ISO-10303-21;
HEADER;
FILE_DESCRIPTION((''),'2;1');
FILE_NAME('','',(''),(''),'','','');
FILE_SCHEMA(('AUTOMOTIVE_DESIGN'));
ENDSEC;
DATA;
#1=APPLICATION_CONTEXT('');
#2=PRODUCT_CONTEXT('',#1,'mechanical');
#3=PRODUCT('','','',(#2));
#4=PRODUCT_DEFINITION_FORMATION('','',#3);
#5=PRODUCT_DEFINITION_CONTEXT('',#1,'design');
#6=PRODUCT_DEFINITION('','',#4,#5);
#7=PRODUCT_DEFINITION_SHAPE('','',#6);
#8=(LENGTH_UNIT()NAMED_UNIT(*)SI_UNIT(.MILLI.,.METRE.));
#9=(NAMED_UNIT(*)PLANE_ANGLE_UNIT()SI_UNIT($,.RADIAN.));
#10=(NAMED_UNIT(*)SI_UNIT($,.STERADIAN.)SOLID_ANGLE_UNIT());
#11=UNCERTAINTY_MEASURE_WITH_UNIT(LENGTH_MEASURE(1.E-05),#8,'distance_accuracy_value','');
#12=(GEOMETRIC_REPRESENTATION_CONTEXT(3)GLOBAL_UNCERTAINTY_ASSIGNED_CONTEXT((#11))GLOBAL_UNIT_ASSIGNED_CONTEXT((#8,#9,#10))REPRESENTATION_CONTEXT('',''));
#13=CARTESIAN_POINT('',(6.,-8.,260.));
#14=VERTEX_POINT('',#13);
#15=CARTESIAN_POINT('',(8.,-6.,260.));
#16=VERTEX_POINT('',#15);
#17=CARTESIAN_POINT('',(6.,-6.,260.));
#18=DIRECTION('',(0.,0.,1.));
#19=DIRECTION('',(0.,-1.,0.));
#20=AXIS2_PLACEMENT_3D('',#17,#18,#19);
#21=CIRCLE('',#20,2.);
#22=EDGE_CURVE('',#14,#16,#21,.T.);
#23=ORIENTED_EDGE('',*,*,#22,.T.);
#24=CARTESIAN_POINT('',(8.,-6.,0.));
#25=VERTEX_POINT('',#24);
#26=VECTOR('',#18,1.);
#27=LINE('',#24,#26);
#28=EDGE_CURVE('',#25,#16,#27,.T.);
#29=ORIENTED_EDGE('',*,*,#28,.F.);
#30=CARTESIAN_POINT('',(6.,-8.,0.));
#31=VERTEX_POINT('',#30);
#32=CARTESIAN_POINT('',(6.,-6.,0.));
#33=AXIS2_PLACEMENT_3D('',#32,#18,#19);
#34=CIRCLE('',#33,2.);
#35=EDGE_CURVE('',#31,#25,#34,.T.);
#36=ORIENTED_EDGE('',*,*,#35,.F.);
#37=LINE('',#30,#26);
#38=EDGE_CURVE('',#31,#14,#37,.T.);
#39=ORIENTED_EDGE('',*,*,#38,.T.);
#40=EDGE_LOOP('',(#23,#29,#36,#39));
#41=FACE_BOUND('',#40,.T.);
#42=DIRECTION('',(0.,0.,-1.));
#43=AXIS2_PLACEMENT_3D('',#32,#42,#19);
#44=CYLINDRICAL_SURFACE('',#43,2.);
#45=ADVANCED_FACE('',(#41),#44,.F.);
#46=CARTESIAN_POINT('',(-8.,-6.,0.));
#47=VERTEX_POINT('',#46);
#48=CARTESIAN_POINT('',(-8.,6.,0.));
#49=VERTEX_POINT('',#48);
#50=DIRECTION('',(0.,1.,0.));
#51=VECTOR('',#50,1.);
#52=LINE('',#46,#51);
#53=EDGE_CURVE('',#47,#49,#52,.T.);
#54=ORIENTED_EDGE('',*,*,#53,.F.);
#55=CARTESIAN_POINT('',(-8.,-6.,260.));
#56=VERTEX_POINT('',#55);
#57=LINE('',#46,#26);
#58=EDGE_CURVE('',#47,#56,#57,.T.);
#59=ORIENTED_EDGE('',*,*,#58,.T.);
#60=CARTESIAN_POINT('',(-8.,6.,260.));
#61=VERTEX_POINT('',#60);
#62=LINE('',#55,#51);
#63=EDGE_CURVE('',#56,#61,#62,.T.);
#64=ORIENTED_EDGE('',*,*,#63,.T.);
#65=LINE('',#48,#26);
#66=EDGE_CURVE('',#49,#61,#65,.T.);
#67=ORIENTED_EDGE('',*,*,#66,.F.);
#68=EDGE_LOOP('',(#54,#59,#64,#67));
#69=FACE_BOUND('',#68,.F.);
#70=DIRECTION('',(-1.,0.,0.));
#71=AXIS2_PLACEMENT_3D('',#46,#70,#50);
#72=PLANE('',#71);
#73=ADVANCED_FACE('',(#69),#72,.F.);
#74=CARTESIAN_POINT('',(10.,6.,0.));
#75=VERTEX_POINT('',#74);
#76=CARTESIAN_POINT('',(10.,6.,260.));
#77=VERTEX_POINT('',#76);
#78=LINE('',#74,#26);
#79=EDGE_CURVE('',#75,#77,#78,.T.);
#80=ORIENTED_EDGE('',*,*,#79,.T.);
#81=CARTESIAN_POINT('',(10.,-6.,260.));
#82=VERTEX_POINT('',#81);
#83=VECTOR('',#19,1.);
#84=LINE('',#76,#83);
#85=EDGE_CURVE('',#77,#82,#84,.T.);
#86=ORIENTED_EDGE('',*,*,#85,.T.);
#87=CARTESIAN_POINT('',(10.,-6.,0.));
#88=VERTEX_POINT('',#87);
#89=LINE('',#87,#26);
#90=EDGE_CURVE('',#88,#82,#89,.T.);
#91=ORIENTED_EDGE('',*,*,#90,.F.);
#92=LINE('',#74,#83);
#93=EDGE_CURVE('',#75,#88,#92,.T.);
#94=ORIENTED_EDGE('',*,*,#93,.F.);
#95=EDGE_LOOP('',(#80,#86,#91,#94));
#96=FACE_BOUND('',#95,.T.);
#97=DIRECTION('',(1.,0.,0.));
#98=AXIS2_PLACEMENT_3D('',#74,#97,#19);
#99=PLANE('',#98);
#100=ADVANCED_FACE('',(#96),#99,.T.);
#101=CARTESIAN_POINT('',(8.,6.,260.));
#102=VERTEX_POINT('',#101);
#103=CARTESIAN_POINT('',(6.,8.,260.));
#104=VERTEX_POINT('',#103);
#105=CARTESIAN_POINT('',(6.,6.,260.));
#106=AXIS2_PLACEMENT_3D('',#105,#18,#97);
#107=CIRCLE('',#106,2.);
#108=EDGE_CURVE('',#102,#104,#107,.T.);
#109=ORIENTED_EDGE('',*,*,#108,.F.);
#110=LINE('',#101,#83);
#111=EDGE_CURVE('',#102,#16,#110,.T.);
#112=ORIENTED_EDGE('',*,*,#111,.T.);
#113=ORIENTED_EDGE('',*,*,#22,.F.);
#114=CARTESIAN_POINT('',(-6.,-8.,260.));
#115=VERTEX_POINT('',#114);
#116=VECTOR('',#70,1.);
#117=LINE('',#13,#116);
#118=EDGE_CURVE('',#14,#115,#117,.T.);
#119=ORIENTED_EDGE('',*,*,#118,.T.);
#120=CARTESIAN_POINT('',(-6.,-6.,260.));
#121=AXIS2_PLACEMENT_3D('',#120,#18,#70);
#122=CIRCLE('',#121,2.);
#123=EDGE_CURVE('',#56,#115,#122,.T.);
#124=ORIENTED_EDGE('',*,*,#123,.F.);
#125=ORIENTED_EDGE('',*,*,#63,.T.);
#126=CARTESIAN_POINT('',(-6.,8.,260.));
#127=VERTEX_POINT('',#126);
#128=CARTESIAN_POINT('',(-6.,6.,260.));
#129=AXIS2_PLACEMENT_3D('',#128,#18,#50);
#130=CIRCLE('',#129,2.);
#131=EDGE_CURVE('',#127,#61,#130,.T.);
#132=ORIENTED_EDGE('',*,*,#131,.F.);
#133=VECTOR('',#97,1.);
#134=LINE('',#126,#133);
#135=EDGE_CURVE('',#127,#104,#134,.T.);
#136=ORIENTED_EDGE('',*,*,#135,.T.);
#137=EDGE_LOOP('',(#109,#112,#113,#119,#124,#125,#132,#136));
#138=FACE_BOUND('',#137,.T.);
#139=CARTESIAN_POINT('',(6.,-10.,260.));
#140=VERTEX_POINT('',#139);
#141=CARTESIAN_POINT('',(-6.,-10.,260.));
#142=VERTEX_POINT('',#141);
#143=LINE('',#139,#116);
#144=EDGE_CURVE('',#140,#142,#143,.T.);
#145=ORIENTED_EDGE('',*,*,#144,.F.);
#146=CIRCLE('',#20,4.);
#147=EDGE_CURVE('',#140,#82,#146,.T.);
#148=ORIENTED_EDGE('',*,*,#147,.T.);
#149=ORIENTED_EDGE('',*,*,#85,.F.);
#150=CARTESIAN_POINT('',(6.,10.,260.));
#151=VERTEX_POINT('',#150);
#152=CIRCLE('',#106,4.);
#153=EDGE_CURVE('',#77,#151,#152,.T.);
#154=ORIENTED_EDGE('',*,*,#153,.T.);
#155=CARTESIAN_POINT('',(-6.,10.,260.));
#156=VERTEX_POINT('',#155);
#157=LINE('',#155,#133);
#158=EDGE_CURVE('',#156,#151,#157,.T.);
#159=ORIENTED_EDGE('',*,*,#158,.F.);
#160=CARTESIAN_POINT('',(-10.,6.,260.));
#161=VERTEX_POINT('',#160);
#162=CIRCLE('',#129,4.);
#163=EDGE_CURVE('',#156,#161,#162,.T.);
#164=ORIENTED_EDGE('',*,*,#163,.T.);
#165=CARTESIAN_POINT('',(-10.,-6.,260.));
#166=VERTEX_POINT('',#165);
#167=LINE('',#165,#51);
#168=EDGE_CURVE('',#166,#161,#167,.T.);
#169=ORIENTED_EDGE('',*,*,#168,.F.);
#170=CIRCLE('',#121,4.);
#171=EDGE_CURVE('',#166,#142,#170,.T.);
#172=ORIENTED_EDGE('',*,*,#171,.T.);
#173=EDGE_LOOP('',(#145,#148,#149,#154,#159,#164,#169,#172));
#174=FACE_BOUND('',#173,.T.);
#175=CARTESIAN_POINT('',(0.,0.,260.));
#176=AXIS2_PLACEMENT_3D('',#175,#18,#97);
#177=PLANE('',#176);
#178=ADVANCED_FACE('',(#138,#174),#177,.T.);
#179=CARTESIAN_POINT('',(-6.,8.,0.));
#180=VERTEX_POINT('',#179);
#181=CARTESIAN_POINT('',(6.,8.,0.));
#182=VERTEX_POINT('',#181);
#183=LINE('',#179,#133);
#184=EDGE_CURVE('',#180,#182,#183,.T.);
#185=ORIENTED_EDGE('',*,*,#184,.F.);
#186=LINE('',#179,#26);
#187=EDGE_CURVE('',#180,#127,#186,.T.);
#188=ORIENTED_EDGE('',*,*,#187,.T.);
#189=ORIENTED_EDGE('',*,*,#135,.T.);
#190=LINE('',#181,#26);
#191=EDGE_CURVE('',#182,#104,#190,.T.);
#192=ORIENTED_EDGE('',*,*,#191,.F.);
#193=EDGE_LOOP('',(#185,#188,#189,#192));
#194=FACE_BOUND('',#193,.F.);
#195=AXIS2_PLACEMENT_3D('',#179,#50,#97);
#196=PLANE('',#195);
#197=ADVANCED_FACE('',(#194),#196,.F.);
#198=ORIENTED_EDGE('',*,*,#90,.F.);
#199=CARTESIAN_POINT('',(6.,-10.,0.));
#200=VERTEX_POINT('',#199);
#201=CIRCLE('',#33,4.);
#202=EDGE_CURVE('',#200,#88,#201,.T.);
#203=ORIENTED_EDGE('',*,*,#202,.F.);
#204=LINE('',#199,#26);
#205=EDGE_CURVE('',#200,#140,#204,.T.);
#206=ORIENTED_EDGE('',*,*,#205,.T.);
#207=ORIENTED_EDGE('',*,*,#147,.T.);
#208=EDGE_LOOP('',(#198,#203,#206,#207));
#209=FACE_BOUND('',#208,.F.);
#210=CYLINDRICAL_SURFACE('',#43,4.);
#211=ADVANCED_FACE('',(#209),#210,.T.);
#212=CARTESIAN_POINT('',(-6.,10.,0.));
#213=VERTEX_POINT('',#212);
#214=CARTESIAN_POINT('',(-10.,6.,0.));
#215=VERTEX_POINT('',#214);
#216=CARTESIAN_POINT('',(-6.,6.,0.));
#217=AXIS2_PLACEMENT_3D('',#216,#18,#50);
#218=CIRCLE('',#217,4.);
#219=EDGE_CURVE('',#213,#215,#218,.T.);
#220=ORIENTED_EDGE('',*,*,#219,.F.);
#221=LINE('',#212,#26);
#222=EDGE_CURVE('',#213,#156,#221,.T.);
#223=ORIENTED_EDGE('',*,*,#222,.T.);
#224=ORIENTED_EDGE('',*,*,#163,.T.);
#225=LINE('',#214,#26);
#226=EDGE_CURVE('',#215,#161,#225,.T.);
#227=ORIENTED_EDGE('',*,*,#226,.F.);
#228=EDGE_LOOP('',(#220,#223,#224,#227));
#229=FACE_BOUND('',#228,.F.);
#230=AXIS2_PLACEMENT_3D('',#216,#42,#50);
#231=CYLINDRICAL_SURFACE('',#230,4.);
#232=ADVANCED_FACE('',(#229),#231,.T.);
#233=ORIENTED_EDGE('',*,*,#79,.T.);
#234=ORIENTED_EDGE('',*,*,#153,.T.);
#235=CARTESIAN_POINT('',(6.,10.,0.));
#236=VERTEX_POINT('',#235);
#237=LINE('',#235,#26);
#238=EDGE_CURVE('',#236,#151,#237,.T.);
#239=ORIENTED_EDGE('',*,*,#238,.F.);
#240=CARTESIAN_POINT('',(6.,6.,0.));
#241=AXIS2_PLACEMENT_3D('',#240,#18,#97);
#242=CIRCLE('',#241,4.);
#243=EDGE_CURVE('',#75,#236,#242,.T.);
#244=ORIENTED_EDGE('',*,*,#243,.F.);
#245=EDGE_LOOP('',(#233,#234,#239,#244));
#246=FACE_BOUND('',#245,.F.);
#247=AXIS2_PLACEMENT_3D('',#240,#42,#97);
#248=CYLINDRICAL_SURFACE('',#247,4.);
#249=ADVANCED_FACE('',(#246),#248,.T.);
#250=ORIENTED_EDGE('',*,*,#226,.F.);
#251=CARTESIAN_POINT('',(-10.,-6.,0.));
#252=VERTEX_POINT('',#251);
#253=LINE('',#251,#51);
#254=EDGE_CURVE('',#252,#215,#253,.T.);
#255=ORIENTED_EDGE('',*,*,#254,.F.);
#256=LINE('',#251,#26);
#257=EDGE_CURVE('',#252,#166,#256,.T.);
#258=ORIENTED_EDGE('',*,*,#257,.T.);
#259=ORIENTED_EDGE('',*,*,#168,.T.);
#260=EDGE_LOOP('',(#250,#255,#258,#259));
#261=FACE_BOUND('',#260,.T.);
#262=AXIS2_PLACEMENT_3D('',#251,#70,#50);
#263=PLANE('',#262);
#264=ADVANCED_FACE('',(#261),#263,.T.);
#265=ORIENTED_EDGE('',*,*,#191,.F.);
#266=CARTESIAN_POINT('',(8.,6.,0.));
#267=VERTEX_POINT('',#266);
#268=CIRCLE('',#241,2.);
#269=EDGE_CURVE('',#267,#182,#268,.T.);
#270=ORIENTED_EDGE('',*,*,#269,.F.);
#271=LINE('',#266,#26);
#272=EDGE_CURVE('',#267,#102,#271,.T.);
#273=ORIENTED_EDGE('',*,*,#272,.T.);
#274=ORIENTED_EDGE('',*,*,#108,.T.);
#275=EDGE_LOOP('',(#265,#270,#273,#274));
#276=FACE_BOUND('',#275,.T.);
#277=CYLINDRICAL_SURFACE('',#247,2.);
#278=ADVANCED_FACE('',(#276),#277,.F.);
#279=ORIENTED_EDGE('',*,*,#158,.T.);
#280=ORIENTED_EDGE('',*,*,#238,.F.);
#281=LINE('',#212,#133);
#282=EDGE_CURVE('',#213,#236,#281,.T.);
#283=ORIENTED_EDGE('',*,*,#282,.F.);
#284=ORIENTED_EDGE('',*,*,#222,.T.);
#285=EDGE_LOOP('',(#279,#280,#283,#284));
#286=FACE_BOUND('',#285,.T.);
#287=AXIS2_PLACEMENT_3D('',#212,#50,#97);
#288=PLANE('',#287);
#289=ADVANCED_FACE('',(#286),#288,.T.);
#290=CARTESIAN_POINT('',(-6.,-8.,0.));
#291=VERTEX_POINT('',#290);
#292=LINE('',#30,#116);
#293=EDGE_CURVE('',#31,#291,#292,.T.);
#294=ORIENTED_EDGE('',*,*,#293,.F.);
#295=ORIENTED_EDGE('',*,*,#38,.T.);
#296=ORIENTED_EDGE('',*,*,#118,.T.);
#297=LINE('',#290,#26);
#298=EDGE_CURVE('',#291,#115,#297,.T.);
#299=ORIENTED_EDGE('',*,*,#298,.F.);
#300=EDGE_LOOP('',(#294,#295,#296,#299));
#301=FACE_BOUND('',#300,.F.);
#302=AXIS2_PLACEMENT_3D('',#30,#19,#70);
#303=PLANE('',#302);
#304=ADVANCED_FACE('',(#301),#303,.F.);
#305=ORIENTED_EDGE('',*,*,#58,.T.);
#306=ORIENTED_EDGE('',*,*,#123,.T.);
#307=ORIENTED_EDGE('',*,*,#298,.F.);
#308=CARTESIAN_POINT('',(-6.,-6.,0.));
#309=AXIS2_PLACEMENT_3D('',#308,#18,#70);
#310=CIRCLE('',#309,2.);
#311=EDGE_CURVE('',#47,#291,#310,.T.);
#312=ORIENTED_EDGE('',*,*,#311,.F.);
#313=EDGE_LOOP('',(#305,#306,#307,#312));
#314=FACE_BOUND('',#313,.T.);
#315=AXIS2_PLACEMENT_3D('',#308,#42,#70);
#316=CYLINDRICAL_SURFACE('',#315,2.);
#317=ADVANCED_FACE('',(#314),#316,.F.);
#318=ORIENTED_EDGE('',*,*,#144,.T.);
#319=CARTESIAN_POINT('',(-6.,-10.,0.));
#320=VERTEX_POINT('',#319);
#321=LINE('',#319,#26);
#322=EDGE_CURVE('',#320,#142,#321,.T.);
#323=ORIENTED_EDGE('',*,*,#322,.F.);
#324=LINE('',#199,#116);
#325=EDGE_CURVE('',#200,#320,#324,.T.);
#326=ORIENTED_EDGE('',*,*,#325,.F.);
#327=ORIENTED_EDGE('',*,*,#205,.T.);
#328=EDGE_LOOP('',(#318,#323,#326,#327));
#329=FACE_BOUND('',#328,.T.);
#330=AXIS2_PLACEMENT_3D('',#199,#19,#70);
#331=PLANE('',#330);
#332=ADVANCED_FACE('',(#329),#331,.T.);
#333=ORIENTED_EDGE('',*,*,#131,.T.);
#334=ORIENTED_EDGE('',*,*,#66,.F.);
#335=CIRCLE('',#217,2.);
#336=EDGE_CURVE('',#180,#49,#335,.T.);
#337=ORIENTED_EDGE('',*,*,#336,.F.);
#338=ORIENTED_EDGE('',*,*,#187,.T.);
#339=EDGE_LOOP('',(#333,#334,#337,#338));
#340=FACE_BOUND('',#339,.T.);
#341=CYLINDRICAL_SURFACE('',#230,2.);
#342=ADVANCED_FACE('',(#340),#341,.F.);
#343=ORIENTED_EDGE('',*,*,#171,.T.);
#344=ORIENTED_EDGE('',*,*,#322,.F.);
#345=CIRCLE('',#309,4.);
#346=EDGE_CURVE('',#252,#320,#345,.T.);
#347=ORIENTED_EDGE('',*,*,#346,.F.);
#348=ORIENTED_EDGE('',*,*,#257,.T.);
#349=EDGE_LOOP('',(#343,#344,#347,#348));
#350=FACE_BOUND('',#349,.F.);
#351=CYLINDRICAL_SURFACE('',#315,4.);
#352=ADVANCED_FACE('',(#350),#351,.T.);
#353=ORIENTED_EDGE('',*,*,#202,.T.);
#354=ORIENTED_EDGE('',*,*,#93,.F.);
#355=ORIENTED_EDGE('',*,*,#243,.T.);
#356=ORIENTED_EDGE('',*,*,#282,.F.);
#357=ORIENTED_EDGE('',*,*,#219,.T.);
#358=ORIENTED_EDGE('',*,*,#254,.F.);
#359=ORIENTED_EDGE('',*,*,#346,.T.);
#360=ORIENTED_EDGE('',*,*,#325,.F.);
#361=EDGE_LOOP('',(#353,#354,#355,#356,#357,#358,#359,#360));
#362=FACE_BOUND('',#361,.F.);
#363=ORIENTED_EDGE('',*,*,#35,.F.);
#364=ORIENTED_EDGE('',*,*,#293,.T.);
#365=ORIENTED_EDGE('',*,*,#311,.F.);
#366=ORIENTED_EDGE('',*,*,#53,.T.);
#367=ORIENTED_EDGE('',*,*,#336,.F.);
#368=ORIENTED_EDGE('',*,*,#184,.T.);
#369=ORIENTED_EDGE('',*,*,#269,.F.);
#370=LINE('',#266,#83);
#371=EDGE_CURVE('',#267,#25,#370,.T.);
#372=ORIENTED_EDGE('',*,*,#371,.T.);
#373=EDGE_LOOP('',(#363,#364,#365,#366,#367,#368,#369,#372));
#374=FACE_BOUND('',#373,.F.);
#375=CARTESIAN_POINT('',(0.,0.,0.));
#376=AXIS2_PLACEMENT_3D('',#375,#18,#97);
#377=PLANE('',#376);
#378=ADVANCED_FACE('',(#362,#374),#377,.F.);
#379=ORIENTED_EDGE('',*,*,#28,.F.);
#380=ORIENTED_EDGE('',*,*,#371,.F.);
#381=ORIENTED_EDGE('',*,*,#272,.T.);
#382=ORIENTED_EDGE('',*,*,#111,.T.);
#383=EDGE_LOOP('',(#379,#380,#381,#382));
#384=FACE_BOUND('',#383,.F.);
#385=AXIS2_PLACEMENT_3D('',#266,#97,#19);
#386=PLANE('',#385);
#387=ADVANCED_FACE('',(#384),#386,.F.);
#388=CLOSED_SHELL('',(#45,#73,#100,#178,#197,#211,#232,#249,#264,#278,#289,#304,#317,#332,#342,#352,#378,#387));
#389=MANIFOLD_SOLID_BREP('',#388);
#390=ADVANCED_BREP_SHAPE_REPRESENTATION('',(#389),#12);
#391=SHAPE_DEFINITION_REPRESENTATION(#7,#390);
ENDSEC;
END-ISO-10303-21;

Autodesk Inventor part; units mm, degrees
ref_plane "YZ Plane" through (0, 0, 0) normal (1, 0, 0) x (0, 1, 0)
ref_plane "Piano iniziale" through (0, 0, 0) normal (0, 0, 1) x (1, 0, 0)
ref_plane "Piano finale" through (0, 0, 260) normal (0, 0, 1) x (1, 0, 0)
sketch "Schizzo" plane through (0, 0, 0) normal (0, 0, 1) x (1, 0, 0)
  line L0 (-10, -6) -> (-10, 6)
  line L1 (-6, 10) -> (6, 10)
  line L2 (10, 6) -> (10, -6)
  line L3 (6, -10) -> (-6, -10)
  arc A0 (-10, -6) -> (-6, -10) centre (-6, -6) ccw
  arc A1 (10, 6) -> (6, 10) centre (6, 6) ccw
  arc A2 (-6, 10) -> (-10, 6) centre (-6, 6) ccw
  arc A3 (6, -10) -> (10, -6) centre (6, -6) ccw
  arc A4 (-6, 8) -> (-8, 6) centre (-6, 6) ccw
  line L4 (-6, 8) -> (6, 8)
  arc A5 (8, 6) -> (6, 8) centre (6, 6) ccw
  line L5 (8, 6) -> (8, -6)
  arc A6 (6, -8) -> (8, -6) centre (6, -6) ccw
  line L6 (6, -8) -> (-6, -8)
  arc A7 (-8, -6) -> (-6, -8) centre (-6, -6) ccw
  line L7 (-8, -6) -> (-8, 6)
  line L8 (0, 15.1598) -> (0, -15.1598) construction
  line L9 (-15.1598, 0) -> (15.1598, 0) construction
  dimension "d7" = 4
  dimension "d9" = 20
  dimension "d11" = 20
  dimension "d12" = 2
  dimension "d15" = 10
  dimension "d16" = 10
extrude "Corpo" add sketch "Schizzo" along normal up to surface (260 mm away) from surface at 0
sketch "Sketch3" plane through (0, 0, 0) normal (0, 0, 1) x (1, 0, 0)
  line L0 (0, 0) -> (10, 0)
ref_plane "Work Plane3" through (0, 0, 0) normal (0, -1, 0) x (1, 0, 0)
sketch "Sketch4" plane through (0, 0, 0) normal (0, -1, 0) x (1, 0, 0)
  line L0 (-2, 0) -> (12, 0)
  line L1 (-2, 260) -> (12, 260)
  dimension "d18" = 260
equation "\"d7\" = G_IR"
equation "\"d9\" = G_W"
equation "\"d11\" = G_H"
equation "\"d12\" = G_T"
equation "\"d15\" = 0.5 * d9"
equation "\"d16\" = 0.5 * d11"
equation "\"d3\" = G_L"
equation "\"G_W\" = 20"
equation "\"G_H\" = 20"
equation "\"G_T\" = 2"
equation "\"G_IR\" = 4"
equation "\"G_L\" = d18"
equation "\"G_OFFSET_START\" = 0"
equation "\"G_OFFSET_END\" = 0"
properties part number "ISO 10799-2 - 20x20x2 - 260" material "Acciaio, Dolce"
